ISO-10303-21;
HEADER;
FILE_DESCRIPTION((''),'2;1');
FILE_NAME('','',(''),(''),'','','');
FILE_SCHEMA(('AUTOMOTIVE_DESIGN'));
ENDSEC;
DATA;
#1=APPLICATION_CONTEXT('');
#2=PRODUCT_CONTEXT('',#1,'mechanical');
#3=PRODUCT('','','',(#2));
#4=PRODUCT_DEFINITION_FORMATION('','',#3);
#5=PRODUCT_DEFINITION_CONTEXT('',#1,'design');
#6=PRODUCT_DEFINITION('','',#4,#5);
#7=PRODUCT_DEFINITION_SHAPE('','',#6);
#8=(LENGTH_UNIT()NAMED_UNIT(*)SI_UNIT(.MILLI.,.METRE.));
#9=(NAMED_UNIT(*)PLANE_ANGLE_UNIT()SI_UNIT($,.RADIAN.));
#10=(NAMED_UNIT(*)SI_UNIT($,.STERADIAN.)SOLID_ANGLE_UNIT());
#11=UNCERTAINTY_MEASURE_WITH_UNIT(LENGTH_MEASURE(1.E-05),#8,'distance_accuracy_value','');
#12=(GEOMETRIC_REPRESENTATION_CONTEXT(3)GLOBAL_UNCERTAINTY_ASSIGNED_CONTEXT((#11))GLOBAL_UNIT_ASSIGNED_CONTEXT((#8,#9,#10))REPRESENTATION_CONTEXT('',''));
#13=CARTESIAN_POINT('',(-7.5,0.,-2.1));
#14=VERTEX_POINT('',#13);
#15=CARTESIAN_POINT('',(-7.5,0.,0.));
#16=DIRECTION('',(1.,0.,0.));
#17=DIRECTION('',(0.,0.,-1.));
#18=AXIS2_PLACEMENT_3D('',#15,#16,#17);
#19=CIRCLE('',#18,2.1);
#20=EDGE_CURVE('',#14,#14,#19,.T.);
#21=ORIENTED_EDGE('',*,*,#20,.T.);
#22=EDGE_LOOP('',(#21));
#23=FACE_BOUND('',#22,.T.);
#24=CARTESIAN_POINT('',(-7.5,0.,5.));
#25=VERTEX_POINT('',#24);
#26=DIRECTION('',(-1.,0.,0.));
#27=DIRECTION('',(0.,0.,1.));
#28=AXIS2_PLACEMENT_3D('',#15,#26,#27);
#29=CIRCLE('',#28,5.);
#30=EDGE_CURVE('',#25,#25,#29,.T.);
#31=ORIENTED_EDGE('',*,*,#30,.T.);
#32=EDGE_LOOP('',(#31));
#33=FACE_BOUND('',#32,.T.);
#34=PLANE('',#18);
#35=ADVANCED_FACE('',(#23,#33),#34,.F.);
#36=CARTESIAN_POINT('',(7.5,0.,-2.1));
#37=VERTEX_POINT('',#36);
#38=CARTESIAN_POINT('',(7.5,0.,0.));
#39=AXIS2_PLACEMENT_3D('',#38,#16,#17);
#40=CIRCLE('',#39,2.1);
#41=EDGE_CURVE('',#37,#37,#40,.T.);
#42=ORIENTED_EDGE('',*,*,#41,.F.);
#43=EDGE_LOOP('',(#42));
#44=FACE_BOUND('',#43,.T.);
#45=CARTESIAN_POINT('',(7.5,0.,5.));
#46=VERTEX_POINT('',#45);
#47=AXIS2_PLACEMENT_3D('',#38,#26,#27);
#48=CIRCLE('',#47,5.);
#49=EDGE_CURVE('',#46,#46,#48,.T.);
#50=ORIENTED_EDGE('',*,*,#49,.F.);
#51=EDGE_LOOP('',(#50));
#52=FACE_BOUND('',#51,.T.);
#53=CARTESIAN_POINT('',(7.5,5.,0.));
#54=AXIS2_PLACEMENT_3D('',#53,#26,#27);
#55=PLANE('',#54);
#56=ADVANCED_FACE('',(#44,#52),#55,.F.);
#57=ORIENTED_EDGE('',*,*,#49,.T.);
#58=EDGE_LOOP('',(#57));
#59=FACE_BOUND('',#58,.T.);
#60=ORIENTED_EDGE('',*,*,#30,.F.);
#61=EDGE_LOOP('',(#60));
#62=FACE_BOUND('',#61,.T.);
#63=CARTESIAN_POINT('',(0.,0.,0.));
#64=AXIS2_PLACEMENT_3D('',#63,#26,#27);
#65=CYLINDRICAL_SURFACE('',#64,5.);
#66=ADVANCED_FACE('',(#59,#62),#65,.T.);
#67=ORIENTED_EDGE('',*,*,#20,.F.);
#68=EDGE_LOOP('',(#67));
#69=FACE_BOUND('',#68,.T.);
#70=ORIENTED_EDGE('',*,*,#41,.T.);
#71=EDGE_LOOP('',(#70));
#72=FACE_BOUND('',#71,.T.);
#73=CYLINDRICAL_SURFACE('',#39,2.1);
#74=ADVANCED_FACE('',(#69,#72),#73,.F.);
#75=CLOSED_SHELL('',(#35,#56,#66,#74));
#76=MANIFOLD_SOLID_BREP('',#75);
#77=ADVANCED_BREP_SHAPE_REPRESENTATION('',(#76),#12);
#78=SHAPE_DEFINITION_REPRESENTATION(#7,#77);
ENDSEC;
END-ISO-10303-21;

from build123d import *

# Parameters (mm, degrees)
SKIZZE1_W            = 15
SKIZZE1_H            = 5
M5_GEWINDEBOHRUNG1_D = 4.2


with BuildPart() as part:
    # Skizze1 → Rotation1 (revolve)
    with BuildSketch(Plane.XY, mode=Mode.PRIVATE) as rotation1_sk:
        with Locations((0, 2.5)):
            Rectangle(SKIZZE1_W, SKIZZE1_H)
    revolve(rotation1_sk.sketch.rotate(Axis((0, 0, 0), (1, 0, 0)), 90), axis=Axis((0, 0, 0), (1, 0, 0)))

    # M5 Gewindebohrung1 (through all)
    with Locations(Plane(origin=(7.5, 0, 0), x_dir=(0, 0, -1), z_dir=(1, 0, 0))):
        with Locations((0, 0)):
            Hole(M5_GEWINDEBOHRUNG1_D / 2)


solid = part.part
